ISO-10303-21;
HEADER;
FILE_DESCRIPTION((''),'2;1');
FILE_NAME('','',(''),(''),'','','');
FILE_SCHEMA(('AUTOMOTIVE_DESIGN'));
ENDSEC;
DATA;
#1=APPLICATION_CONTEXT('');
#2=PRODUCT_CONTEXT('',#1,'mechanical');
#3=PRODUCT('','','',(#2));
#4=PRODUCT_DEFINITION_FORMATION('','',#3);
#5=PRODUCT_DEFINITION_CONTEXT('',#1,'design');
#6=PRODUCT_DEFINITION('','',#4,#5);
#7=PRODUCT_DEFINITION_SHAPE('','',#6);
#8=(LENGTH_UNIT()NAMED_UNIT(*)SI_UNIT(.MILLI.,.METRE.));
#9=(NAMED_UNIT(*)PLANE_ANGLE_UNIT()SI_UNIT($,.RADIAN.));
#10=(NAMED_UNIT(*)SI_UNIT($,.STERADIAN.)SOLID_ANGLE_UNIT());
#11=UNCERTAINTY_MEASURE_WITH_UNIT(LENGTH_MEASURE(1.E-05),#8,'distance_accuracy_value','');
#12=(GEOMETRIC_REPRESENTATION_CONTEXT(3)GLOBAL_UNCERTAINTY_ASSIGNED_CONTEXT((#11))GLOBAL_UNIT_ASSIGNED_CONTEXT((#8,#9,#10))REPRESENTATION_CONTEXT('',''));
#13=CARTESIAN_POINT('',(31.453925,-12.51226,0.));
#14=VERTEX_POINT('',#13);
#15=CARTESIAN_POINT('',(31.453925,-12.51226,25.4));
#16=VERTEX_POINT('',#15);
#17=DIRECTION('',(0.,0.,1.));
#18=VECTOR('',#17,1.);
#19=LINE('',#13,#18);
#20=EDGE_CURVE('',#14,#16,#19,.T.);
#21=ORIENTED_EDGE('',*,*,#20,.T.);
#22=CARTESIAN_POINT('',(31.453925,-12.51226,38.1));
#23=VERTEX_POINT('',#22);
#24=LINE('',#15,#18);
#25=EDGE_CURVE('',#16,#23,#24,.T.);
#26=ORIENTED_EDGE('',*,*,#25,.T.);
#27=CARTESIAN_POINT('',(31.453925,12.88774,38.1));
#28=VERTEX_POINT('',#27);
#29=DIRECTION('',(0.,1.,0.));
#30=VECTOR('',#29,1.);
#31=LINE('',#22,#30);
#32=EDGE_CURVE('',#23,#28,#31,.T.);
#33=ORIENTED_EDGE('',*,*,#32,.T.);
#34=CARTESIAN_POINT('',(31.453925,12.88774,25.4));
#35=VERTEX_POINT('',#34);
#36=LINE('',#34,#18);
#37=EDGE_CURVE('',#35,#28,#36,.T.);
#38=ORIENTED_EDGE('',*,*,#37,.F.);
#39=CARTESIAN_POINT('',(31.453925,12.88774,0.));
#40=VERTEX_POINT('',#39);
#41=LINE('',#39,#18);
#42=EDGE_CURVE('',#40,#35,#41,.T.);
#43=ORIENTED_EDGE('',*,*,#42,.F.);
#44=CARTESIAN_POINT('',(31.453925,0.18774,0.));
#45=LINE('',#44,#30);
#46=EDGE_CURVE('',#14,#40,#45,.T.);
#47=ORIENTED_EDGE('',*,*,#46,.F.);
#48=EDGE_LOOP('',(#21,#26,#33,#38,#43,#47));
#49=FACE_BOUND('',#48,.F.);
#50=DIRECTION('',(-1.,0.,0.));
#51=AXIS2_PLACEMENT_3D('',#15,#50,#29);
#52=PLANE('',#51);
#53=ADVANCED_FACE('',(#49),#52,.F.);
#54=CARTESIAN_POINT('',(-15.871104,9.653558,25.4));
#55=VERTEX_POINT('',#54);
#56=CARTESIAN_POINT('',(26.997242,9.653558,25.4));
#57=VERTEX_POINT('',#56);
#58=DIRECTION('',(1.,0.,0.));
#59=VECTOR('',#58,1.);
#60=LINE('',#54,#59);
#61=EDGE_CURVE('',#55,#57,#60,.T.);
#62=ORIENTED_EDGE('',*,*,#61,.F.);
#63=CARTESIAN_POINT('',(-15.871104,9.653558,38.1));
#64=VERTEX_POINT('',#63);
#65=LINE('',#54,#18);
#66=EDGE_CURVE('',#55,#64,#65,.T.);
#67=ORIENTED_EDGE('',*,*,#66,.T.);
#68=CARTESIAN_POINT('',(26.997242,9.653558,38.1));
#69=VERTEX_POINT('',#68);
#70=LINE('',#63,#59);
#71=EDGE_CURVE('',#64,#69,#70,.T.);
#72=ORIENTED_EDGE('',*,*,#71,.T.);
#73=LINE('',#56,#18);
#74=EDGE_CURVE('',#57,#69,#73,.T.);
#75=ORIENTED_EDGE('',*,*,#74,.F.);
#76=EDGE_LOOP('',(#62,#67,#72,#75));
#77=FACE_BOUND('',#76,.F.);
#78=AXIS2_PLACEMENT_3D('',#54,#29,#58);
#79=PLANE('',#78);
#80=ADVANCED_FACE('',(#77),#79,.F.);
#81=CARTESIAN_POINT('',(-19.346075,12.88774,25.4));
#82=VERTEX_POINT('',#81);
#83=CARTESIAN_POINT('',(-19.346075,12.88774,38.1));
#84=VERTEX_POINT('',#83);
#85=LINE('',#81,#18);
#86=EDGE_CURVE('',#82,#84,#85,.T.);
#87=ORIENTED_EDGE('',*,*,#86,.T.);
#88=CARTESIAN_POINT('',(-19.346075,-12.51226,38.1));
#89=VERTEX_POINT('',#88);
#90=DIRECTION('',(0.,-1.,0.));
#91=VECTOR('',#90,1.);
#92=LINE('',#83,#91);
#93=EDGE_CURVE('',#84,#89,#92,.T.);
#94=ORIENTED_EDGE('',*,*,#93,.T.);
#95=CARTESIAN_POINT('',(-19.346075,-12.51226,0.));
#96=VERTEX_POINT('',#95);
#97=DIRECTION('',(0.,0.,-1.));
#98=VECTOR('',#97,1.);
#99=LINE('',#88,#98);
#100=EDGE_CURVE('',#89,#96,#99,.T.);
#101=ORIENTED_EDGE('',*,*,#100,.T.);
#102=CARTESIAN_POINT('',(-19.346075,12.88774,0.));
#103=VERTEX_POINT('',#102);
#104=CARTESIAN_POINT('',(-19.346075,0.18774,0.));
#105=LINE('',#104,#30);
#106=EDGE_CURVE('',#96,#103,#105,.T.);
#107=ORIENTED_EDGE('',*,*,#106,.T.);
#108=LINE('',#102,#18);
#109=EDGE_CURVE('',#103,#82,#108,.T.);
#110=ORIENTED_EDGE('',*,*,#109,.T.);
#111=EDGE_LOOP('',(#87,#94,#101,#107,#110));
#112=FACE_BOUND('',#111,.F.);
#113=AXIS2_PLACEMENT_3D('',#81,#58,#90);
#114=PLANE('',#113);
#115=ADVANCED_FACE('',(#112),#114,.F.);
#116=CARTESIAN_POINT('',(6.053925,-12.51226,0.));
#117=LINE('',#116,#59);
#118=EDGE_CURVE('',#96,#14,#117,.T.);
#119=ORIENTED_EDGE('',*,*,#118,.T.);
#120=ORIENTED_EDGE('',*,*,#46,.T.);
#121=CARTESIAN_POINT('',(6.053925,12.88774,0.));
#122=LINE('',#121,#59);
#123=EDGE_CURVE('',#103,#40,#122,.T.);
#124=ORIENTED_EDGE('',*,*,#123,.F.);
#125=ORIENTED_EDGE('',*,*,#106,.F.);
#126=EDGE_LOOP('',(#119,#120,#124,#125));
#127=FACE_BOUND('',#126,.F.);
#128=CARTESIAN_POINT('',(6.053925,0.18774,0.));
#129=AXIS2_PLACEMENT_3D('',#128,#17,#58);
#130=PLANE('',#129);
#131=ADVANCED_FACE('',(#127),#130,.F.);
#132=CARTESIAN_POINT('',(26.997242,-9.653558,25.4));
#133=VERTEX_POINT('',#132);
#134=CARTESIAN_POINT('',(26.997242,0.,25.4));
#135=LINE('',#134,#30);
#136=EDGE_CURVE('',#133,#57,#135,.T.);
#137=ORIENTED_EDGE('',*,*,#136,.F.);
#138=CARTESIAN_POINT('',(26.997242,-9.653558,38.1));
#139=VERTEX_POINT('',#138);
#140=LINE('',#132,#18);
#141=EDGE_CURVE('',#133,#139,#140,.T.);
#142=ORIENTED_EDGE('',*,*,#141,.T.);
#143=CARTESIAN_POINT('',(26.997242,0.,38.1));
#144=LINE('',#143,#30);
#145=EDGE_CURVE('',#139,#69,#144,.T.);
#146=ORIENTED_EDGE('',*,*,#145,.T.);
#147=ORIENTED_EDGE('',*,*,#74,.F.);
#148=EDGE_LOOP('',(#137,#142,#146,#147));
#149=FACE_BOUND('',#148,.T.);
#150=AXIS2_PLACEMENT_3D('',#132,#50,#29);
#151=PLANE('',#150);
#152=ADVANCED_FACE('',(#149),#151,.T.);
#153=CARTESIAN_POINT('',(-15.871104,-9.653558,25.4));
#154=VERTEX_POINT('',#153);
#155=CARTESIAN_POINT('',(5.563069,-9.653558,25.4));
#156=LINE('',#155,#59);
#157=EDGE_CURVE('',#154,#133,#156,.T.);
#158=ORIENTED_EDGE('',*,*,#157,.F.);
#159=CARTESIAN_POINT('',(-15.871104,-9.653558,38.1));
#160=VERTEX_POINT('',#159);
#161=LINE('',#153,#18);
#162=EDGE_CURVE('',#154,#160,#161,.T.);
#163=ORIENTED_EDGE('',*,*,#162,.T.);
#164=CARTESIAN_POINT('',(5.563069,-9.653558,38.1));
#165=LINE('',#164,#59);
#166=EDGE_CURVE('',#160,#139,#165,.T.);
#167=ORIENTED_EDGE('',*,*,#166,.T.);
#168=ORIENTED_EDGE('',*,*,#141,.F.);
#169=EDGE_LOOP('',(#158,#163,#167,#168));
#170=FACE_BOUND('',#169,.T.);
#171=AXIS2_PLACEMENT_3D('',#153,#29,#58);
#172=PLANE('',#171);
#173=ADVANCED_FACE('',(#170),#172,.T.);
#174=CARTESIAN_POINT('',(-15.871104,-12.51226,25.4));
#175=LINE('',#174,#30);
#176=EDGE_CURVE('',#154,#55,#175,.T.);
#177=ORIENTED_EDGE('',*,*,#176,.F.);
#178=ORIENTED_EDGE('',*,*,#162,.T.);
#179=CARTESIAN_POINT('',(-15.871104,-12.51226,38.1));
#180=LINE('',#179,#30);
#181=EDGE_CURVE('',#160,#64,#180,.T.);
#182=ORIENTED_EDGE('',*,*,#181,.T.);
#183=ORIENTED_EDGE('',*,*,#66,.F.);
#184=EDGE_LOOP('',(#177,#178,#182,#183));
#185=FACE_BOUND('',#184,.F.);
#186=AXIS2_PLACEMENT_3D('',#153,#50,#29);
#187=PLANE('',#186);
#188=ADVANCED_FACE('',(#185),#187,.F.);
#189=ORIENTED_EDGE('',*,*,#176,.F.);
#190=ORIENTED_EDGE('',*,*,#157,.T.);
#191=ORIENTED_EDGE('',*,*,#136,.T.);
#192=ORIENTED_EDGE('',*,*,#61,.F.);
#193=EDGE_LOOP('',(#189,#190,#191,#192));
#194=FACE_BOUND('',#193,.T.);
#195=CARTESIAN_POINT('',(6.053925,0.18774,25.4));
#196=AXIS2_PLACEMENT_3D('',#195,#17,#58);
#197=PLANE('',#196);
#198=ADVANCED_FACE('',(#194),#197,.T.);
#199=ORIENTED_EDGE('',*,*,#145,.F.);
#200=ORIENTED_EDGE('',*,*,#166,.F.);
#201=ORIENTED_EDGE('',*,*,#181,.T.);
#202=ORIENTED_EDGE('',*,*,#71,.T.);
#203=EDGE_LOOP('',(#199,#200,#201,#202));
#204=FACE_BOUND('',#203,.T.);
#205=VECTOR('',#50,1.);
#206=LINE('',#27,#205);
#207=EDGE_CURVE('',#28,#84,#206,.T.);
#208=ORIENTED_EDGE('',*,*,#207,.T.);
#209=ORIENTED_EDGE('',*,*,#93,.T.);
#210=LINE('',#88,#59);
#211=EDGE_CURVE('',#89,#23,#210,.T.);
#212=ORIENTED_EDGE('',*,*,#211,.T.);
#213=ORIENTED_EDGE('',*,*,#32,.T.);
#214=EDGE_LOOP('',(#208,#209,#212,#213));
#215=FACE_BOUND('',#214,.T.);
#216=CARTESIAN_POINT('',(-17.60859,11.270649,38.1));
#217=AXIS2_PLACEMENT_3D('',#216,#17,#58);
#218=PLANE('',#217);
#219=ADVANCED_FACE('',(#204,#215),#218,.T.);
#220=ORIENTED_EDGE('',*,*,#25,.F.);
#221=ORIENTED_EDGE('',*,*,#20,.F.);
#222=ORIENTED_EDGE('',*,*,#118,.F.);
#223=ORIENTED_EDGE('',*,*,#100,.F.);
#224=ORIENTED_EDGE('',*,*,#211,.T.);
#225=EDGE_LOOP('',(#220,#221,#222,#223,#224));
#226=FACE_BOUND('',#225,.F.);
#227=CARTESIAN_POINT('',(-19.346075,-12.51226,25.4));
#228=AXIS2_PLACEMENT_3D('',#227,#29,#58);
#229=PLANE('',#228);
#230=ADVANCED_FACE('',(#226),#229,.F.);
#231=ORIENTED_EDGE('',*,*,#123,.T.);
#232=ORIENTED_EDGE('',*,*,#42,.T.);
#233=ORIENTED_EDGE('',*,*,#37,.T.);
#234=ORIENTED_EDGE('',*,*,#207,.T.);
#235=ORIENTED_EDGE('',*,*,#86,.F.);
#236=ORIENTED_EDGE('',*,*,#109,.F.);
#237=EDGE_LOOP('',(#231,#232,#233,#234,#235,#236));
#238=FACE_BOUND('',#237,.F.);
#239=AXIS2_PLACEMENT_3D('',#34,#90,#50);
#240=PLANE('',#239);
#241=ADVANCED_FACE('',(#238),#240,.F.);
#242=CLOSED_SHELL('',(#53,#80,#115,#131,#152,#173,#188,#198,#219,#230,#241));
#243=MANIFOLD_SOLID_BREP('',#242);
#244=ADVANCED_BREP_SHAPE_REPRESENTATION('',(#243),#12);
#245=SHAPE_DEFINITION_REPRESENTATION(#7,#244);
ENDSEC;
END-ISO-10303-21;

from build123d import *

# Parameters (mm, degrees)
F0_W     = 50.8
F0_H     = 25.4
F1_DEPTH = 25.4
F2_W     = 3.4749715865
F2_H     = 3.2341817119
F2_W_2   = 42.8683459759
F2_H_2   = 19.3071160465
F2_W_3   = 4.4566824377
F2_H_3   = 2.8587022416
F3_DEPTH = 12.7


with BuildPart() as f1:
    # F0 (on Top) → F1 (new body)
    with BuildSketch(Plane.XY):
        with Locations((6.0539245605, 0.1877397351)):
            Rectangle(F0_W, F0_H)
    extrude(amount=F1_DEPTH)

    # F2 (on face) → F3 (join)
    with BuildSketch(Plane.XY.offset(25.4)):
        with Locations((-17.6085896462, 11.2706488792)):
            Rectangle(F2_W, F2_H)
        with Locations((5.563069135, 11.2706488792)):
            Rectangle(F2_W_2, F2_H)
        with Locations((-17.6085896462, 0)):
            Rectangle(F2_W, F2_H_2)
        with Locations((29.2255833417, 11.2706488792)):
            Rectangle(F2_W_3, F2_H)
        with Locations((-17.6085896462, -11.0829091441)):
            Rectangle(F2_W, F2_H_3)
        with Locations((29.2255833417, 0)):
            Rectangle(F2_W_3, F2_H_2)
        with Locations((5.563069135, -11.0829091441)):
            Rectangle(F2_W_2, F2_H_3)
        with Locations((29.2255833417, -11.0829091441)):
            Rectangle(F2_W_3, F2_H_3)
    extrude(amount=F3_DEPTH)


solid = f1.part
